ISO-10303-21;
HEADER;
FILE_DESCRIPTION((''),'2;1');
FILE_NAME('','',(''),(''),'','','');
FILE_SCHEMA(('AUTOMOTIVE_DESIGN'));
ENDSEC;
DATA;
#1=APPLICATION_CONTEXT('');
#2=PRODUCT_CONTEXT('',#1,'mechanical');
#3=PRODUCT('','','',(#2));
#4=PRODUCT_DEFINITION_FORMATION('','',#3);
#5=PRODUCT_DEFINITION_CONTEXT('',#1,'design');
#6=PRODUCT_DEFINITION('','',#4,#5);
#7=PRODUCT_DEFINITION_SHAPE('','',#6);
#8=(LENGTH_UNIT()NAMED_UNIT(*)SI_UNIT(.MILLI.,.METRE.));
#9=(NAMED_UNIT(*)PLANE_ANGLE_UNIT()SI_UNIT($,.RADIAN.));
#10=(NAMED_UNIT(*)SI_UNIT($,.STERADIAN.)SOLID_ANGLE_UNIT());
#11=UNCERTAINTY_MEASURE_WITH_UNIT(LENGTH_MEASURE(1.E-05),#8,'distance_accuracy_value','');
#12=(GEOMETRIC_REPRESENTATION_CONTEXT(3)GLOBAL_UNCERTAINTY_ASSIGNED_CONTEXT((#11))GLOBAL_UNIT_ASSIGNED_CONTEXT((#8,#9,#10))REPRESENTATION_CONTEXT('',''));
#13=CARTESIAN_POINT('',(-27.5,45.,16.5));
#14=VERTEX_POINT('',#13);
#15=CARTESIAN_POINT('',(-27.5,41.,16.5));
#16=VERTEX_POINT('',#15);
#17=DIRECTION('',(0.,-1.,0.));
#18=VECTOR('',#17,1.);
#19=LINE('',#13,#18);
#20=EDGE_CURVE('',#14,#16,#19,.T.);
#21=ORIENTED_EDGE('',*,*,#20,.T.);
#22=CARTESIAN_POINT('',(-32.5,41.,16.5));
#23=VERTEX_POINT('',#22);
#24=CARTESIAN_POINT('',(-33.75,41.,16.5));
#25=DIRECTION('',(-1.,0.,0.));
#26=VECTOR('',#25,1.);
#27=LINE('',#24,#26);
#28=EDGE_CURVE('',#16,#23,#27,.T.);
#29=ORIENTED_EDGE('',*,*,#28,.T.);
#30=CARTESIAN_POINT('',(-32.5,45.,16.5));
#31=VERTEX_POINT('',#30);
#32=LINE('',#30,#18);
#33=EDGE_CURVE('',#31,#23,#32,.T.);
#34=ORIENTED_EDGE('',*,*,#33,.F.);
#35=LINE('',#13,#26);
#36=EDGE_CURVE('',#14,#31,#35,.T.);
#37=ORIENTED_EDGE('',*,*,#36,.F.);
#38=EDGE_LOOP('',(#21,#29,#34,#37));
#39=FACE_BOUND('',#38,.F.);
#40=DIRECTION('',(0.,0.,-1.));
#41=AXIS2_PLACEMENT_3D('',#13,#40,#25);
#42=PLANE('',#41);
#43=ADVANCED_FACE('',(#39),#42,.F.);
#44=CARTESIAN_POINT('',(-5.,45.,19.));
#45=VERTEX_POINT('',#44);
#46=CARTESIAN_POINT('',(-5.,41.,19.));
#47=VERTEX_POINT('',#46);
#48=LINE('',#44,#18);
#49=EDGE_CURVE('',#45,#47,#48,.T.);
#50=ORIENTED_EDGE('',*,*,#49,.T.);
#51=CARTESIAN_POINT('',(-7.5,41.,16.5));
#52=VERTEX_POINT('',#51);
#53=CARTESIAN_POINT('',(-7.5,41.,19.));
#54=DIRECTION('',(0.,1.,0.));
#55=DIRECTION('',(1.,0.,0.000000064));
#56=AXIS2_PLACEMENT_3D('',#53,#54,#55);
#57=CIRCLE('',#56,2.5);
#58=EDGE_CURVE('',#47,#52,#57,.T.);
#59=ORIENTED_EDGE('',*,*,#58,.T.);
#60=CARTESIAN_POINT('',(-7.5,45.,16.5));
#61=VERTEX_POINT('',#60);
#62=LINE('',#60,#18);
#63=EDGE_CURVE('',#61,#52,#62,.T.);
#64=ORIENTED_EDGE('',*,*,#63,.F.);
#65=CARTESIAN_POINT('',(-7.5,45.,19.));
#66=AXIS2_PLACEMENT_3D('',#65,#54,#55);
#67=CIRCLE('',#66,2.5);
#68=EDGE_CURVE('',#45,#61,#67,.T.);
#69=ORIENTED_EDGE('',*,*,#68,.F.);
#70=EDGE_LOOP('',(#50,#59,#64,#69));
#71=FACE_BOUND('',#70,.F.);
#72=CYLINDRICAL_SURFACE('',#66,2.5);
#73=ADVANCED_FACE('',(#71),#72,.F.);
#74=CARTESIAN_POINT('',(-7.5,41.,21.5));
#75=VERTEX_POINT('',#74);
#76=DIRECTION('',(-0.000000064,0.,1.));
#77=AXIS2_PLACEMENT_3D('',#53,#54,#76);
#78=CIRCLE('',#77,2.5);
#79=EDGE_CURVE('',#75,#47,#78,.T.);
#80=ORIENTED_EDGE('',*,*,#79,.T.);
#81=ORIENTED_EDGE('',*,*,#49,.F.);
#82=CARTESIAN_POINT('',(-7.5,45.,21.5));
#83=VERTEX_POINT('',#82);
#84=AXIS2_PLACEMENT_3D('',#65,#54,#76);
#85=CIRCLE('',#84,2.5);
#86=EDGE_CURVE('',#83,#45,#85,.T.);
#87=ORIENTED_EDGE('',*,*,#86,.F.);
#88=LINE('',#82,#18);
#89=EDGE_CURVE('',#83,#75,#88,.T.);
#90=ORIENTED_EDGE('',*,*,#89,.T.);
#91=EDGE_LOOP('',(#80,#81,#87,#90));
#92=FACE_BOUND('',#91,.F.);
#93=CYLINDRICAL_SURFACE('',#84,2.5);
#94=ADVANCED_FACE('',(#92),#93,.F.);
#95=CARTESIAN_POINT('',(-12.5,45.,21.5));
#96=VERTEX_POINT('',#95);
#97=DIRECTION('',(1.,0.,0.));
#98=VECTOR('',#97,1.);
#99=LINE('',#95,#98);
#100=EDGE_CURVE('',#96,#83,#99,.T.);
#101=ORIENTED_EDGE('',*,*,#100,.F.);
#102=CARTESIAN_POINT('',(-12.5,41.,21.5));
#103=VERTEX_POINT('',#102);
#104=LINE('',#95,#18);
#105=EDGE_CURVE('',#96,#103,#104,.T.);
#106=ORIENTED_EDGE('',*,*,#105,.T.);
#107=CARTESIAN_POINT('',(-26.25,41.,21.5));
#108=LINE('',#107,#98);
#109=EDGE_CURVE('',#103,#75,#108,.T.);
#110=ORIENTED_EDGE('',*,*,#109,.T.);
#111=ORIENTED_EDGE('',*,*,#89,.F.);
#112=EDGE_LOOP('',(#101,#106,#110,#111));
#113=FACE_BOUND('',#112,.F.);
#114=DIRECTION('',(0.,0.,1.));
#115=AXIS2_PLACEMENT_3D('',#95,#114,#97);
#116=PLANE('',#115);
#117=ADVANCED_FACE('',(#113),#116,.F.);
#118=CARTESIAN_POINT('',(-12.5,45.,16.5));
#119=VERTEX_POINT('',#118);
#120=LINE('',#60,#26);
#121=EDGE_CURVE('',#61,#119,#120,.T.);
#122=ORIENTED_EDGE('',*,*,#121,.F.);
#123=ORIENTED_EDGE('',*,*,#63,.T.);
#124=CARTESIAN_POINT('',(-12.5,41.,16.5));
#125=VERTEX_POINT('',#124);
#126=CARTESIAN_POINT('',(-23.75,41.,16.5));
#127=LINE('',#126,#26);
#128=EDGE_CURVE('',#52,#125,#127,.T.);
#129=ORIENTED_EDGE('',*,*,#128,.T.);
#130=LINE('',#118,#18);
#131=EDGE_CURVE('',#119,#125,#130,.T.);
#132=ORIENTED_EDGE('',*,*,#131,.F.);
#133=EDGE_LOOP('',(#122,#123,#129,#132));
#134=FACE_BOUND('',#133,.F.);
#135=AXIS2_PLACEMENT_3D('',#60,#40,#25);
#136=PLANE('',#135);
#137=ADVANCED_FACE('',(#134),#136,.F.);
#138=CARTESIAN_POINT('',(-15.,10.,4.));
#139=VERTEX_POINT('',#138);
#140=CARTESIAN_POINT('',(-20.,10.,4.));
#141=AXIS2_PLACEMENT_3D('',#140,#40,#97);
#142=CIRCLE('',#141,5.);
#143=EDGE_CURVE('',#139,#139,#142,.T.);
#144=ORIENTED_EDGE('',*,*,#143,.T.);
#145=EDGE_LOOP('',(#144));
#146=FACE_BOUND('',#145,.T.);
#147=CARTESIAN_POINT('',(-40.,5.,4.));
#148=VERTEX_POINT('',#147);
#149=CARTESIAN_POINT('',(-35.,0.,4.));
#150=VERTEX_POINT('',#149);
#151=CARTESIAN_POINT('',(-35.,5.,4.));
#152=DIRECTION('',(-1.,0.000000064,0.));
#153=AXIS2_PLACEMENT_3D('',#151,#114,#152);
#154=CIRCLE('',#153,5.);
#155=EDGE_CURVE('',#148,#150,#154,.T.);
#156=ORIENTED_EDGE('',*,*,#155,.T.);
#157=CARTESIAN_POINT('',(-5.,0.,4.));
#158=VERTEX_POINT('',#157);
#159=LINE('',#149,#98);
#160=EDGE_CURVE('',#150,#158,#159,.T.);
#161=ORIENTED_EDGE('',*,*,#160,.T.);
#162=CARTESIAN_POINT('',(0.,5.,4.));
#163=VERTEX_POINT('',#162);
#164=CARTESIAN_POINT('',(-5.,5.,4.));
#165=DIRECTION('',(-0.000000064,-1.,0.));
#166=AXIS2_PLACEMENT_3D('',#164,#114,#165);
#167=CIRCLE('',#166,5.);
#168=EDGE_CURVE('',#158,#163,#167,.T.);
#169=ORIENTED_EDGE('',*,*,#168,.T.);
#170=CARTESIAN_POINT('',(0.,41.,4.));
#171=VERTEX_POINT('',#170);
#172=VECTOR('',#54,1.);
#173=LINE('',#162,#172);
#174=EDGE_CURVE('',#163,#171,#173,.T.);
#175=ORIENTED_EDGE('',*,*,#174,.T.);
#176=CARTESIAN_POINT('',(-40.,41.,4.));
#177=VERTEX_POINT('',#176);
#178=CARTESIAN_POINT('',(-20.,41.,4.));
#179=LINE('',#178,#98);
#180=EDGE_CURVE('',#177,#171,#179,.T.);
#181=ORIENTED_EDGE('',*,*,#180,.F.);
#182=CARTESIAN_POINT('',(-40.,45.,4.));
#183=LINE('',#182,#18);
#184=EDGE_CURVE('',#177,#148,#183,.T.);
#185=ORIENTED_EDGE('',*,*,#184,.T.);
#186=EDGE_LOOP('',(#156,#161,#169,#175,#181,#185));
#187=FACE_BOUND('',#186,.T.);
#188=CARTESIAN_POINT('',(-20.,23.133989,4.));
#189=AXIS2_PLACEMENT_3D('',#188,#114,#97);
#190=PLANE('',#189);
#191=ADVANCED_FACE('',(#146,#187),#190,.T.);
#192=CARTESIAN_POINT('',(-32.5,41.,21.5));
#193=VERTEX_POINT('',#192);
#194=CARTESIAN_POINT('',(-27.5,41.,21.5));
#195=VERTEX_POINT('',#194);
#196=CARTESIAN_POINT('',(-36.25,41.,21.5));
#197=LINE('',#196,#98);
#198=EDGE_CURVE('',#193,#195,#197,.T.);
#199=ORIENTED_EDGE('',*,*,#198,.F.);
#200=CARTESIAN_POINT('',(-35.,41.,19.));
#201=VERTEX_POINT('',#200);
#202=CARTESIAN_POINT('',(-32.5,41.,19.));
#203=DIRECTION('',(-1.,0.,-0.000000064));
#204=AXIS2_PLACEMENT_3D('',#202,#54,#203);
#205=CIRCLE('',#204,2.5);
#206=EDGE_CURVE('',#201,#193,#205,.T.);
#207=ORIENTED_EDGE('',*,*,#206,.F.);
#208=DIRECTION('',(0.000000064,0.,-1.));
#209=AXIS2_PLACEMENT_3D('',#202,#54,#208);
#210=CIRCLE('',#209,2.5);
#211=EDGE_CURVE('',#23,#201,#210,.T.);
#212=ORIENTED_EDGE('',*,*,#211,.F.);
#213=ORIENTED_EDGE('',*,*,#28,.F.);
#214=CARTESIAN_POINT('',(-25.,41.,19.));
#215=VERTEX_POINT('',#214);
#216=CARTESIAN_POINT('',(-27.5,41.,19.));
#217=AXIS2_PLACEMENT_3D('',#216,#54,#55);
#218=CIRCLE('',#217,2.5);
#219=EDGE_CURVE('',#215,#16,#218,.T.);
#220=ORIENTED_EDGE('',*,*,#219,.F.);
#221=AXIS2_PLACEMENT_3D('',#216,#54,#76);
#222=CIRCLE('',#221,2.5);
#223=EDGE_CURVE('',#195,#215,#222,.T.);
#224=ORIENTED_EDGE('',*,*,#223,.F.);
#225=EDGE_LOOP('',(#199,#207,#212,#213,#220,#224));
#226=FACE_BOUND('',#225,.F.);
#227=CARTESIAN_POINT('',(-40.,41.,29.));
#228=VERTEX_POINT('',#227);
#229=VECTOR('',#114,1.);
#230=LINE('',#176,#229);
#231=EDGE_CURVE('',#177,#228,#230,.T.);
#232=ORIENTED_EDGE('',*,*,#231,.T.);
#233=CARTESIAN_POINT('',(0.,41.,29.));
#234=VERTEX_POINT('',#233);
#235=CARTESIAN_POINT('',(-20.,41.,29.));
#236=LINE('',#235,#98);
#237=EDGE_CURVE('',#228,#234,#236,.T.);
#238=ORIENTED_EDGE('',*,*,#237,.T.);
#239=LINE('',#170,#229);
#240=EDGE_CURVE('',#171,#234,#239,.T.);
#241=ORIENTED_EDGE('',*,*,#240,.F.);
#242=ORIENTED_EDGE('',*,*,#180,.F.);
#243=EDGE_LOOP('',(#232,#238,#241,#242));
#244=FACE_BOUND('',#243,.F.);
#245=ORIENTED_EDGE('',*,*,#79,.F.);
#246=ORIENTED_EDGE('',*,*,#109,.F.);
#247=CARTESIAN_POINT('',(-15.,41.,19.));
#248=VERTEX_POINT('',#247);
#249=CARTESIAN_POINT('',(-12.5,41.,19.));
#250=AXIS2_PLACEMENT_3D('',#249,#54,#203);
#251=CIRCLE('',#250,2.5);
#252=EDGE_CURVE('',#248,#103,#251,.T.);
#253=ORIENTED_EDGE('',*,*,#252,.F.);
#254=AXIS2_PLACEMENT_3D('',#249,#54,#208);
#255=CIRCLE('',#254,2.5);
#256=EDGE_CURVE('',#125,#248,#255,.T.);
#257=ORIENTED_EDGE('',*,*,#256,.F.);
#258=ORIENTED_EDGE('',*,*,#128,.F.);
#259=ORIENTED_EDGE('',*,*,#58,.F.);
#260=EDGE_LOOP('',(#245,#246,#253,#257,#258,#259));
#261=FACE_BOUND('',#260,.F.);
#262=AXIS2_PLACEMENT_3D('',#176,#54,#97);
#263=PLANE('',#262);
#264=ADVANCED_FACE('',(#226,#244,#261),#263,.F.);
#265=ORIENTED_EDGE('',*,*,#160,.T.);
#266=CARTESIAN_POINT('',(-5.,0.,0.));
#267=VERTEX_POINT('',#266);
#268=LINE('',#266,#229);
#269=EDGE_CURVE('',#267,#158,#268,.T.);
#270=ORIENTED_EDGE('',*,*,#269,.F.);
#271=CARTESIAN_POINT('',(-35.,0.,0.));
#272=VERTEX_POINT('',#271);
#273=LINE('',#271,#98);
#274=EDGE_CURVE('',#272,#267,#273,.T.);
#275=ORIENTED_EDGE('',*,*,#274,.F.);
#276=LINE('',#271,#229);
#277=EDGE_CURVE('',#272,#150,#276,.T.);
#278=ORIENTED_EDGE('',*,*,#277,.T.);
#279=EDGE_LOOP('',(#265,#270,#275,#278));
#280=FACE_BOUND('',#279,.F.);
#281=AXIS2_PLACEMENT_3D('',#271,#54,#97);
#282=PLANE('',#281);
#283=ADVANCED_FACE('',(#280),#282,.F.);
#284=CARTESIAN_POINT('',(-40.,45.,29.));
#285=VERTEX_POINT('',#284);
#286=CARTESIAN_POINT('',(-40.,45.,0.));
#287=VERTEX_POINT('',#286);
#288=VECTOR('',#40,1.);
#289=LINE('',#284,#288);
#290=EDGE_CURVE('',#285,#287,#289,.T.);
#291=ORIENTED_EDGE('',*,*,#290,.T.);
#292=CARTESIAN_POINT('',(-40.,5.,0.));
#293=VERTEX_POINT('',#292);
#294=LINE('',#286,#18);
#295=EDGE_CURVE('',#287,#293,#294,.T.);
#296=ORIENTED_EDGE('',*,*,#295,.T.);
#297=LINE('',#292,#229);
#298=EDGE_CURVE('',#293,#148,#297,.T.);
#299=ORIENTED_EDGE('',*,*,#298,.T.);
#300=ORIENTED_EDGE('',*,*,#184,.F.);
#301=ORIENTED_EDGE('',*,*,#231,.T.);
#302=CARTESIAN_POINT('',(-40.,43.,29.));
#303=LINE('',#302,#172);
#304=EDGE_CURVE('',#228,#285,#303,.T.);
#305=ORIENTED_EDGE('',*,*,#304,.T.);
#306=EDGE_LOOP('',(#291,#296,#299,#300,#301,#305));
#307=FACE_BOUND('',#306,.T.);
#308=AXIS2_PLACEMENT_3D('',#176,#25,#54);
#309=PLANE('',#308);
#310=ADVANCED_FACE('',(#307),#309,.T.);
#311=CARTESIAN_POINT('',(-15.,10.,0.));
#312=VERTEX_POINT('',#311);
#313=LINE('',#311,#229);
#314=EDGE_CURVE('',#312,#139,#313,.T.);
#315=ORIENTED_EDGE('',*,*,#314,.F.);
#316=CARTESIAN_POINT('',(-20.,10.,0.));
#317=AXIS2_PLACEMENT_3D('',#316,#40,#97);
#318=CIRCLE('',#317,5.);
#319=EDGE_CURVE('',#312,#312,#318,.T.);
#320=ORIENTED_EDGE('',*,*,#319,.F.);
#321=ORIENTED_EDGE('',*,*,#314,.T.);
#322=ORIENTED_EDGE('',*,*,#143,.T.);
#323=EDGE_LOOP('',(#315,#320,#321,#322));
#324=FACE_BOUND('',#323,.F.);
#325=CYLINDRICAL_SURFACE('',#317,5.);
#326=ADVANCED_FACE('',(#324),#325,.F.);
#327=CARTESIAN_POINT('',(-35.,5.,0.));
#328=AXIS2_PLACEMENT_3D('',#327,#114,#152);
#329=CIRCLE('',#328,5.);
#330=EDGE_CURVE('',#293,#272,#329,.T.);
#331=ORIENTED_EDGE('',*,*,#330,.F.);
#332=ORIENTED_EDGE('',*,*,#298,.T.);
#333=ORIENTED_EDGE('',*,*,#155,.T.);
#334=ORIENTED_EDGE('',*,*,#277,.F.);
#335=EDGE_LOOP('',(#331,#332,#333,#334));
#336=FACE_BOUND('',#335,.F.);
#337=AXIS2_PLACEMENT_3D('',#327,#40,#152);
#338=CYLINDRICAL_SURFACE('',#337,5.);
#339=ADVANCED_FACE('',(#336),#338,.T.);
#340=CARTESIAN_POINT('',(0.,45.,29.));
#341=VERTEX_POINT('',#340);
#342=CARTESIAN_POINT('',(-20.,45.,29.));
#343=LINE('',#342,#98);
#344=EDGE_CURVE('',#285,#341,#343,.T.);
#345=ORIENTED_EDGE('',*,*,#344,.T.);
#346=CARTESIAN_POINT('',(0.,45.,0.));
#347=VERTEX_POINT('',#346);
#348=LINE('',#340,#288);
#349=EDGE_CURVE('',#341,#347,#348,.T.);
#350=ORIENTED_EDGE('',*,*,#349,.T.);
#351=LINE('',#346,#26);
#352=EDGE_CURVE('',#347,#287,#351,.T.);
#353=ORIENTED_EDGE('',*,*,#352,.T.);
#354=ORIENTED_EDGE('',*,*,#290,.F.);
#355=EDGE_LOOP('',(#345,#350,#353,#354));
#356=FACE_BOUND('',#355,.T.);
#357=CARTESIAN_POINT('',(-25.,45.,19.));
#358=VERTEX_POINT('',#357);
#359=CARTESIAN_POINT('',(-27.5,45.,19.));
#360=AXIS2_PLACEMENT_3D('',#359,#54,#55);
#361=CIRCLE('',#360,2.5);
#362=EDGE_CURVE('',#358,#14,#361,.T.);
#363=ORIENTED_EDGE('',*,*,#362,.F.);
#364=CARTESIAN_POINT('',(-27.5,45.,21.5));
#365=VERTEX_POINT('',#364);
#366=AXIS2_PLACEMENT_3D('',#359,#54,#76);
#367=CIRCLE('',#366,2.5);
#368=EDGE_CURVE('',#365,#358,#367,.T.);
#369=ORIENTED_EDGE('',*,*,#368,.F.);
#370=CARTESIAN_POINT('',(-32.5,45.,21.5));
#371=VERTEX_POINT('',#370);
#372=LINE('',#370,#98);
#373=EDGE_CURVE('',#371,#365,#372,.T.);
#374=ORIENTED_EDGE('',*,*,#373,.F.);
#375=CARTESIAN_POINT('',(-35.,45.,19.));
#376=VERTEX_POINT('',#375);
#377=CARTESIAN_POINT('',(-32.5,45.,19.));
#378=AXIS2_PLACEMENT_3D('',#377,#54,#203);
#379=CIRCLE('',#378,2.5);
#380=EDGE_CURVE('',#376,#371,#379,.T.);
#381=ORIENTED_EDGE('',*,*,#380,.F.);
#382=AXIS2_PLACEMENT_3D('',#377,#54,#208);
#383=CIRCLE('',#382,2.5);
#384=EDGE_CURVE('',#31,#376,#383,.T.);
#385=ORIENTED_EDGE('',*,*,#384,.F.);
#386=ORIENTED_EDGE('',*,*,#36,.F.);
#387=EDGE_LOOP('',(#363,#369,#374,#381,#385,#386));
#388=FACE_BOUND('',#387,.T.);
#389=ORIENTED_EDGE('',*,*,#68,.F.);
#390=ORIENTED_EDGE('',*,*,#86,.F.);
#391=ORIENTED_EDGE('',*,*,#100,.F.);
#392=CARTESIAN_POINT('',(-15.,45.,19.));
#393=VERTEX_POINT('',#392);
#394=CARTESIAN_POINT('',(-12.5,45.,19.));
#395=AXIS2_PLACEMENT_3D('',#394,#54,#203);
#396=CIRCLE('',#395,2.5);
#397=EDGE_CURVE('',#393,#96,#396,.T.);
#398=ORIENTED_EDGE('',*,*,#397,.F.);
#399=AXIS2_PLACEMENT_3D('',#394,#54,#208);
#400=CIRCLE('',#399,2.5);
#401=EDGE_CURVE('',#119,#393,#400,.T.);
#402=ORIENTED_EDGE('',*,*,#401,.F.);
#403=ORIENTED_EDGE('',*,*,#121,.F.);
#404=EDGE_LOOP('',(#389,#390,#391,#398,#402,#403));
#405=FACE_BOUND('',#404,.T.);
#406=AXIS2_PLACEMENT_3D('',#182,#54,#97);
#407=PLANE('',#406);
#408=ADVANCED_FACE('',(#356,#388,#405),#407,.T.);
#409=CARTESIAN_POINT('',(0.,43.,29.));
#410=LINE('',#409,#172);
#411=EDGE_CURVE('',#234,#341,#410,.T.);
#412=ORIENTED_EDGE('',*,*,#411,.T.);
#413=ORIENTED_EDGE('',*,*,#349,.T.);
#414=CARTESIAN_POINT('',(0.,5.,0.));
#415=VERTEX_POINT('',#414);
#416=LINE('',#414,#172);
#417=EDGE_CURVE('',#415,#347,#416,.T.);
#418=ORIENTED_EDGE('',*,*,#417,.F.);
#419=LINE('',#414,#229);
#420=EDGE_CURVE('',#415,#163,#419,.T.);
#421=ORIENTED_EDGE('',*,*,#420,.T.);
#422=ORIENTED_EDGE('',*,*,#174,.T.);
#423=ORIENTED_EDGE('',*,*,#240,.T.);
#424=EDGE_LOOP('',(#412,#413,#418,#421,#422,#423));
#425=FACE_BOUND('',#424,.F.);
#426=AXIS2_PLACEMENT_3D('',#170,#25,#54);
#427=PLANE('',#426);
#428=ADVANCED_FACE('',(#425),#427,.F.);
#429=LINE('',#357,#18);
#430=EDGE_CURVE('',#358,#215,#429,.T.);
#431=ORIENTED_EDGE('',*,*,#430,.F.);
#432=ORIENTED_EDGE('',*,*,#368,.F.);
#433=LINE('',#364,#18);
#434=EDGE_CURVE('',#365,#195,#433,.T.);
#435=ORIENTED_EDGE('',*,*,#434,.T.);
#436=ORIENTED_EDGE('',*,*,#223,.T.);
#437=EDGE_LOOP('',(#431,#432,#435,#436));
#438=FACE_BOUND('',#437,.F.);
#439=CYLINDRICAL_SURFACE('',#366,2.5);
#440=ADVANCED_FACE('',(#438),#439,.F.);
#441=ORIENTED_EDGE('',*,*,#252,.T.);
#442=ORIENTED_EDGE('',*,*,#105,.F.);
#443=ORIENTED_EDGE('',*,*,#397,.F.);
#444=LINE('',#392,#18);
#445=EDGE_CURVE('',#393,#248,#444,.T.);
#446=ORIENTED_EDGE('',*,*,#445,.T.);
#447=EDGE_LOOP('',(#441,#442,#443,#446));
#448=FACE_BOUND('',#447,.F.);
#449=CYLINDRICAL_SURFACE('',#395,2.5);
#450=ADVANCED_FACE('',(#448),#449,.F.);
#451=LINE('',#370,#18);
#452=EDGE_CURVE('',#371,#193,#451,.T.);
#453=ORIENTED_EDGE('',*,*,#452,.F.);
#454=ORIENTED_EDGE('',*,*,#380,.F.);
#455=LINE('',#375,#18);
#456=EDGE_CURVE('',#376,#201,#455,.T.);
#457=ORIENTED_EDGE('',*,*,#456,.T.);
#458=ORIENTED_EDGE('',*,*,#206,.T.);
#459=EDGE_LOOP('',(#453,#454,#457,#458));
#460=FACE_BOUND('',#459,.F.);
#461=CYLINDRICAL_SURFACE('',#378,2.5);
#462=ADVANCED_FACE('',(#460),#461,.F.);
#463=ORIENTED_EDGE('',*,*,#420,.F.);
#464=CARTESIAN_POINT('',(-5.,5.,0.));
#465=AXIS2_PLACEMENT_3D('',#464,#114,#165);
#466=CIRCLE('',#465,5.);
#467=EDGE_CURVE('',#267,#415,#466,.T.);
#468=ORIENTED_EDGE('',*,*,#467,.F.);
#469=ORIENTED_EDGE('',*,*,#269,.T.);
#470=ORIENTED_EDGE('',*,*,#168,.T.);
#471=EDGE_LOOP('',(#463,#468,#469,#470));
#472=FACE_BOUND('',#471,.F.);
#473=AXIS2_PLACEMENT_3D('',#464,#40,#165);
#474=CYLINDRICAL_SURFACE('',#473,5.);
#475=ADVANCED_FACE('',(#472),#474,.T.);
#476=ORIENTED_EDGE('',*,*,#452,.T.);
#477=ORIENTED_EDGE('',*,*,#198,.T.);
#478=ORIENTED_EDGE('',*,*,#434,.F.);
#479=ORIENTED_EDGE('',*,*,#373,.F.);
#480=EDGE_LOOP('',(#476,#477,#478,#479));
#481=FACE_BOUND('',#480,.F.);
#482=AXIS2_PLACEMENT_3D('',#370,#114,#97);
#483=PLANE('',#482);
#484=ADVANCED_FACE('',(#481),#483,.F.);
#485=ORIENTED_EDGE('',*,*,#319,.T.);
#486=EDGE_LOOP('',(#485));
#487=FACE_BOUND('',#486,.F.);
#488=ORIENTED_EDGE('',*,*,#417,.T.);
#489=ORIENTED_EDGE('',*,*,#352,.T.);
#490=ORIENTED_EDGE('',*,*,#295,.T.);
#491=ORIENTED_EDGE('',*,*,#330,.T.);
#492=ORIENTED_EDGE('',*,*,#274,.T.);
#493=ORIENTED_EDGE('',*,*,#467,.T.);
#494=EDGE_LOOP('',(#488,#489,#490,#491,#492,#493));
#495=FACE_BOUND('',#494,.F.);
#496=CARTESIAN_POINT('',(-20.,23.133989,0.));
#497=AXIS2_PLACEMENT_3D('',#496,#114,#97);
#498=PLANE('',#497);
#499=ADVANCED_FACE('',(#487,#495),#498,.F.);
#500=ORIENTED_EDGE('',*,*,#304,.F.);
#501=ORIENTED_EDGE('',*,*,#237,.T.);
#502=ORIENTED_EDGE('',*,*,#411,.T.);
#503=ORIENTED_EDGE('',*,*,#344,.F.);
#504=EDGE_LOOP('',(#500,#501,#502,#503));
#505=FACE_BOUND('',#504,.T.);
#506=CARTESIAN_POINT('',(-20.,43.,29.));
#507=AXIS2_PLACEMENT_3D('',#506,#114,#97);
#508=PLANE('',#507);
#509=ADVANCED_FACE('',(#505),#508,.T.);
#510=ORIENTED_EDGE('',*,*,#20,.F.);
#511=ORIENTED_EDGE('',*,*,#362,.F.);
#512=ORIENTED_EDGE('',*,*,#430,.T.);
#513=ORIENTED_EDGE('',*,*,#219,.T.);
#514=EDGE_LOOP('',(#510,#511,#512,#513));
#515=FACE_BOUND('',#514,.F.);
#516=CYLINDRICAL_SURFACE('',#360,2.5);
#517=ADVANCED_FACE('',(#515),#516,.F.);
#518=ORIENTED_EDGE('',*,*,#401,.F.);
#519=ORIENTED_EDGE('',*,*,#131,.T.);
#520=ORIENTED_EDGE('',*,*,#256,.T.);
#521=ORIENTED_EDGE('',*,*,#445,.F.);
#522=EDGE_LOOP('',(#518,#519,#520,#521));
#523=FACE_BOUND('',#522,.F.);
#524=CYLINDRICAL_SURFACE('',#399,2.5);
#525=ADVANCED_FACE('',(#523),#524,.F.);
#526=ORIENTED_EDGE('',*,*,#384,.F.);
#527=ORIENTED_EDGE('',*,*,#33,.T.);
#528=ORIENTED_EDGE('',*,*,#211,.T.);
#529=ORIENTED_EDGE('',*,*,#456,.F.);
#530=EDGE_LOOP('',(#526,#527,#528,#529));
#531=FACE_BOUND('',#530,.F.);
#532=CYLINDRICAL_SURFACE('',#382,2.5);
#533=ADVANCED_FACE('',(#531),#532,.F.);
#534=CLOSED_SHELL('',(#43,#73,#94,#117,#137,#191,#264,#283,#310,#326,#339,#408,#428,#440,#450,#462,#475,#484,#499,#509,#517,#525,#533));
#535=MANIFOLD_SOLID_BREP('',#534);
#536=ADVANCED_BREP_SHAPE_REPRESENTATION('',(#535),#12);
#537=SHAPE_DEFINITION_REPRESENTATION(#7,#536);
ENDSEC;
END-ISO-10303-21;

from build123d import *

# Parameters (mm, degrees)
F1_DEPTH = 4
F2_W     = 40
F2_H     = 4
F3_DEPTH = 25
F5_DEPTH = 25
F6_R     = 5
F7_DEPTH = 25


with BuildPart() as f1:
    # F0 (on Top) → F1 (new body)
    with BuildSketch(Plane.XY):
        with BuildLine():
            Line((-35, 0), (-5, 0))
            ThreePointArc((-5, 0), (-1.464466, 1.464466), (0, 5))
            Line((0, 5), (0, 45))
            Line((0, 45), (-40, 45))
            Line((-40, 45), (-40, 5))
            ThreePointArc((-40, 5), (-38.535534, 1.464466), (-35, 0))
        make_face()
    extrude(amount=F1_DEPTH)

    # F2 (on face) → F3 (join)
    with BuildSketch(Plane.XY.offset(4)):
        with Locations((-20, 43)):
            Rectangle(F2_W, F2_H)
    extrude(amount=F3_DEPTH)

    # F4 (on face) → F5 (cut)
    with BuildSketch(Plane(origin=(0, 45, 0), x_dir=(-1, 0, 0), z_dir=(0, 1, 0))):
        with BuildLine():
            ThreePointArc((25, 19), (25.732233, 17.232233), (27.5, 16.5))
            Line((27.5, 16.5), (32.5, 16.5))
            ThreePointArc((32.5, 16.5), (34.267767, 17.232233), (35, 19))
            ThreePointArc((35, 19), (34.267767, 20.767767), (32.5, 21.5))
            Line((32.5, 21.5), (27.5, 21.5))
            ThreePointArc((27.5, 21.5), (25.732233, 20.767767), (25, 19))
        make_face()
        with BuildLine():
            ThreePointArc((5, 19), (5.732233, 17.232233), (7.5, 16.5))
            Line((7.5, 16.5), (12.5, 16.5))
            ThreePointArc((12.5, 16.5), (14.267767, 17.232233), (15, 19))
            ThreePointArc((15, 19), (14.267767, 20.767767), (12.5, 21.5))
            Line((12.5, 21.5), (7.5, 21.5))
            ThreePointArc((7.5, 21.5), (5.732233, 20.767767), (5, 19))
        make_face()
    extrude(amount=-F5_DEPTH, mode=Mode.SUBTRACT)

    # F6 (on face) → F7 (cut)
    with BuildSketch(Plane(origin=(0, 0, 0), x_dir=(1, 0, 0), z_dir=(0, 0, -1))):
        with Locations((-20, -10)):
            Circle(F6_R)
    extrude(amount=-F7_DEPTH, mode=Mode.SUBTRACT)


solid = f1.part
